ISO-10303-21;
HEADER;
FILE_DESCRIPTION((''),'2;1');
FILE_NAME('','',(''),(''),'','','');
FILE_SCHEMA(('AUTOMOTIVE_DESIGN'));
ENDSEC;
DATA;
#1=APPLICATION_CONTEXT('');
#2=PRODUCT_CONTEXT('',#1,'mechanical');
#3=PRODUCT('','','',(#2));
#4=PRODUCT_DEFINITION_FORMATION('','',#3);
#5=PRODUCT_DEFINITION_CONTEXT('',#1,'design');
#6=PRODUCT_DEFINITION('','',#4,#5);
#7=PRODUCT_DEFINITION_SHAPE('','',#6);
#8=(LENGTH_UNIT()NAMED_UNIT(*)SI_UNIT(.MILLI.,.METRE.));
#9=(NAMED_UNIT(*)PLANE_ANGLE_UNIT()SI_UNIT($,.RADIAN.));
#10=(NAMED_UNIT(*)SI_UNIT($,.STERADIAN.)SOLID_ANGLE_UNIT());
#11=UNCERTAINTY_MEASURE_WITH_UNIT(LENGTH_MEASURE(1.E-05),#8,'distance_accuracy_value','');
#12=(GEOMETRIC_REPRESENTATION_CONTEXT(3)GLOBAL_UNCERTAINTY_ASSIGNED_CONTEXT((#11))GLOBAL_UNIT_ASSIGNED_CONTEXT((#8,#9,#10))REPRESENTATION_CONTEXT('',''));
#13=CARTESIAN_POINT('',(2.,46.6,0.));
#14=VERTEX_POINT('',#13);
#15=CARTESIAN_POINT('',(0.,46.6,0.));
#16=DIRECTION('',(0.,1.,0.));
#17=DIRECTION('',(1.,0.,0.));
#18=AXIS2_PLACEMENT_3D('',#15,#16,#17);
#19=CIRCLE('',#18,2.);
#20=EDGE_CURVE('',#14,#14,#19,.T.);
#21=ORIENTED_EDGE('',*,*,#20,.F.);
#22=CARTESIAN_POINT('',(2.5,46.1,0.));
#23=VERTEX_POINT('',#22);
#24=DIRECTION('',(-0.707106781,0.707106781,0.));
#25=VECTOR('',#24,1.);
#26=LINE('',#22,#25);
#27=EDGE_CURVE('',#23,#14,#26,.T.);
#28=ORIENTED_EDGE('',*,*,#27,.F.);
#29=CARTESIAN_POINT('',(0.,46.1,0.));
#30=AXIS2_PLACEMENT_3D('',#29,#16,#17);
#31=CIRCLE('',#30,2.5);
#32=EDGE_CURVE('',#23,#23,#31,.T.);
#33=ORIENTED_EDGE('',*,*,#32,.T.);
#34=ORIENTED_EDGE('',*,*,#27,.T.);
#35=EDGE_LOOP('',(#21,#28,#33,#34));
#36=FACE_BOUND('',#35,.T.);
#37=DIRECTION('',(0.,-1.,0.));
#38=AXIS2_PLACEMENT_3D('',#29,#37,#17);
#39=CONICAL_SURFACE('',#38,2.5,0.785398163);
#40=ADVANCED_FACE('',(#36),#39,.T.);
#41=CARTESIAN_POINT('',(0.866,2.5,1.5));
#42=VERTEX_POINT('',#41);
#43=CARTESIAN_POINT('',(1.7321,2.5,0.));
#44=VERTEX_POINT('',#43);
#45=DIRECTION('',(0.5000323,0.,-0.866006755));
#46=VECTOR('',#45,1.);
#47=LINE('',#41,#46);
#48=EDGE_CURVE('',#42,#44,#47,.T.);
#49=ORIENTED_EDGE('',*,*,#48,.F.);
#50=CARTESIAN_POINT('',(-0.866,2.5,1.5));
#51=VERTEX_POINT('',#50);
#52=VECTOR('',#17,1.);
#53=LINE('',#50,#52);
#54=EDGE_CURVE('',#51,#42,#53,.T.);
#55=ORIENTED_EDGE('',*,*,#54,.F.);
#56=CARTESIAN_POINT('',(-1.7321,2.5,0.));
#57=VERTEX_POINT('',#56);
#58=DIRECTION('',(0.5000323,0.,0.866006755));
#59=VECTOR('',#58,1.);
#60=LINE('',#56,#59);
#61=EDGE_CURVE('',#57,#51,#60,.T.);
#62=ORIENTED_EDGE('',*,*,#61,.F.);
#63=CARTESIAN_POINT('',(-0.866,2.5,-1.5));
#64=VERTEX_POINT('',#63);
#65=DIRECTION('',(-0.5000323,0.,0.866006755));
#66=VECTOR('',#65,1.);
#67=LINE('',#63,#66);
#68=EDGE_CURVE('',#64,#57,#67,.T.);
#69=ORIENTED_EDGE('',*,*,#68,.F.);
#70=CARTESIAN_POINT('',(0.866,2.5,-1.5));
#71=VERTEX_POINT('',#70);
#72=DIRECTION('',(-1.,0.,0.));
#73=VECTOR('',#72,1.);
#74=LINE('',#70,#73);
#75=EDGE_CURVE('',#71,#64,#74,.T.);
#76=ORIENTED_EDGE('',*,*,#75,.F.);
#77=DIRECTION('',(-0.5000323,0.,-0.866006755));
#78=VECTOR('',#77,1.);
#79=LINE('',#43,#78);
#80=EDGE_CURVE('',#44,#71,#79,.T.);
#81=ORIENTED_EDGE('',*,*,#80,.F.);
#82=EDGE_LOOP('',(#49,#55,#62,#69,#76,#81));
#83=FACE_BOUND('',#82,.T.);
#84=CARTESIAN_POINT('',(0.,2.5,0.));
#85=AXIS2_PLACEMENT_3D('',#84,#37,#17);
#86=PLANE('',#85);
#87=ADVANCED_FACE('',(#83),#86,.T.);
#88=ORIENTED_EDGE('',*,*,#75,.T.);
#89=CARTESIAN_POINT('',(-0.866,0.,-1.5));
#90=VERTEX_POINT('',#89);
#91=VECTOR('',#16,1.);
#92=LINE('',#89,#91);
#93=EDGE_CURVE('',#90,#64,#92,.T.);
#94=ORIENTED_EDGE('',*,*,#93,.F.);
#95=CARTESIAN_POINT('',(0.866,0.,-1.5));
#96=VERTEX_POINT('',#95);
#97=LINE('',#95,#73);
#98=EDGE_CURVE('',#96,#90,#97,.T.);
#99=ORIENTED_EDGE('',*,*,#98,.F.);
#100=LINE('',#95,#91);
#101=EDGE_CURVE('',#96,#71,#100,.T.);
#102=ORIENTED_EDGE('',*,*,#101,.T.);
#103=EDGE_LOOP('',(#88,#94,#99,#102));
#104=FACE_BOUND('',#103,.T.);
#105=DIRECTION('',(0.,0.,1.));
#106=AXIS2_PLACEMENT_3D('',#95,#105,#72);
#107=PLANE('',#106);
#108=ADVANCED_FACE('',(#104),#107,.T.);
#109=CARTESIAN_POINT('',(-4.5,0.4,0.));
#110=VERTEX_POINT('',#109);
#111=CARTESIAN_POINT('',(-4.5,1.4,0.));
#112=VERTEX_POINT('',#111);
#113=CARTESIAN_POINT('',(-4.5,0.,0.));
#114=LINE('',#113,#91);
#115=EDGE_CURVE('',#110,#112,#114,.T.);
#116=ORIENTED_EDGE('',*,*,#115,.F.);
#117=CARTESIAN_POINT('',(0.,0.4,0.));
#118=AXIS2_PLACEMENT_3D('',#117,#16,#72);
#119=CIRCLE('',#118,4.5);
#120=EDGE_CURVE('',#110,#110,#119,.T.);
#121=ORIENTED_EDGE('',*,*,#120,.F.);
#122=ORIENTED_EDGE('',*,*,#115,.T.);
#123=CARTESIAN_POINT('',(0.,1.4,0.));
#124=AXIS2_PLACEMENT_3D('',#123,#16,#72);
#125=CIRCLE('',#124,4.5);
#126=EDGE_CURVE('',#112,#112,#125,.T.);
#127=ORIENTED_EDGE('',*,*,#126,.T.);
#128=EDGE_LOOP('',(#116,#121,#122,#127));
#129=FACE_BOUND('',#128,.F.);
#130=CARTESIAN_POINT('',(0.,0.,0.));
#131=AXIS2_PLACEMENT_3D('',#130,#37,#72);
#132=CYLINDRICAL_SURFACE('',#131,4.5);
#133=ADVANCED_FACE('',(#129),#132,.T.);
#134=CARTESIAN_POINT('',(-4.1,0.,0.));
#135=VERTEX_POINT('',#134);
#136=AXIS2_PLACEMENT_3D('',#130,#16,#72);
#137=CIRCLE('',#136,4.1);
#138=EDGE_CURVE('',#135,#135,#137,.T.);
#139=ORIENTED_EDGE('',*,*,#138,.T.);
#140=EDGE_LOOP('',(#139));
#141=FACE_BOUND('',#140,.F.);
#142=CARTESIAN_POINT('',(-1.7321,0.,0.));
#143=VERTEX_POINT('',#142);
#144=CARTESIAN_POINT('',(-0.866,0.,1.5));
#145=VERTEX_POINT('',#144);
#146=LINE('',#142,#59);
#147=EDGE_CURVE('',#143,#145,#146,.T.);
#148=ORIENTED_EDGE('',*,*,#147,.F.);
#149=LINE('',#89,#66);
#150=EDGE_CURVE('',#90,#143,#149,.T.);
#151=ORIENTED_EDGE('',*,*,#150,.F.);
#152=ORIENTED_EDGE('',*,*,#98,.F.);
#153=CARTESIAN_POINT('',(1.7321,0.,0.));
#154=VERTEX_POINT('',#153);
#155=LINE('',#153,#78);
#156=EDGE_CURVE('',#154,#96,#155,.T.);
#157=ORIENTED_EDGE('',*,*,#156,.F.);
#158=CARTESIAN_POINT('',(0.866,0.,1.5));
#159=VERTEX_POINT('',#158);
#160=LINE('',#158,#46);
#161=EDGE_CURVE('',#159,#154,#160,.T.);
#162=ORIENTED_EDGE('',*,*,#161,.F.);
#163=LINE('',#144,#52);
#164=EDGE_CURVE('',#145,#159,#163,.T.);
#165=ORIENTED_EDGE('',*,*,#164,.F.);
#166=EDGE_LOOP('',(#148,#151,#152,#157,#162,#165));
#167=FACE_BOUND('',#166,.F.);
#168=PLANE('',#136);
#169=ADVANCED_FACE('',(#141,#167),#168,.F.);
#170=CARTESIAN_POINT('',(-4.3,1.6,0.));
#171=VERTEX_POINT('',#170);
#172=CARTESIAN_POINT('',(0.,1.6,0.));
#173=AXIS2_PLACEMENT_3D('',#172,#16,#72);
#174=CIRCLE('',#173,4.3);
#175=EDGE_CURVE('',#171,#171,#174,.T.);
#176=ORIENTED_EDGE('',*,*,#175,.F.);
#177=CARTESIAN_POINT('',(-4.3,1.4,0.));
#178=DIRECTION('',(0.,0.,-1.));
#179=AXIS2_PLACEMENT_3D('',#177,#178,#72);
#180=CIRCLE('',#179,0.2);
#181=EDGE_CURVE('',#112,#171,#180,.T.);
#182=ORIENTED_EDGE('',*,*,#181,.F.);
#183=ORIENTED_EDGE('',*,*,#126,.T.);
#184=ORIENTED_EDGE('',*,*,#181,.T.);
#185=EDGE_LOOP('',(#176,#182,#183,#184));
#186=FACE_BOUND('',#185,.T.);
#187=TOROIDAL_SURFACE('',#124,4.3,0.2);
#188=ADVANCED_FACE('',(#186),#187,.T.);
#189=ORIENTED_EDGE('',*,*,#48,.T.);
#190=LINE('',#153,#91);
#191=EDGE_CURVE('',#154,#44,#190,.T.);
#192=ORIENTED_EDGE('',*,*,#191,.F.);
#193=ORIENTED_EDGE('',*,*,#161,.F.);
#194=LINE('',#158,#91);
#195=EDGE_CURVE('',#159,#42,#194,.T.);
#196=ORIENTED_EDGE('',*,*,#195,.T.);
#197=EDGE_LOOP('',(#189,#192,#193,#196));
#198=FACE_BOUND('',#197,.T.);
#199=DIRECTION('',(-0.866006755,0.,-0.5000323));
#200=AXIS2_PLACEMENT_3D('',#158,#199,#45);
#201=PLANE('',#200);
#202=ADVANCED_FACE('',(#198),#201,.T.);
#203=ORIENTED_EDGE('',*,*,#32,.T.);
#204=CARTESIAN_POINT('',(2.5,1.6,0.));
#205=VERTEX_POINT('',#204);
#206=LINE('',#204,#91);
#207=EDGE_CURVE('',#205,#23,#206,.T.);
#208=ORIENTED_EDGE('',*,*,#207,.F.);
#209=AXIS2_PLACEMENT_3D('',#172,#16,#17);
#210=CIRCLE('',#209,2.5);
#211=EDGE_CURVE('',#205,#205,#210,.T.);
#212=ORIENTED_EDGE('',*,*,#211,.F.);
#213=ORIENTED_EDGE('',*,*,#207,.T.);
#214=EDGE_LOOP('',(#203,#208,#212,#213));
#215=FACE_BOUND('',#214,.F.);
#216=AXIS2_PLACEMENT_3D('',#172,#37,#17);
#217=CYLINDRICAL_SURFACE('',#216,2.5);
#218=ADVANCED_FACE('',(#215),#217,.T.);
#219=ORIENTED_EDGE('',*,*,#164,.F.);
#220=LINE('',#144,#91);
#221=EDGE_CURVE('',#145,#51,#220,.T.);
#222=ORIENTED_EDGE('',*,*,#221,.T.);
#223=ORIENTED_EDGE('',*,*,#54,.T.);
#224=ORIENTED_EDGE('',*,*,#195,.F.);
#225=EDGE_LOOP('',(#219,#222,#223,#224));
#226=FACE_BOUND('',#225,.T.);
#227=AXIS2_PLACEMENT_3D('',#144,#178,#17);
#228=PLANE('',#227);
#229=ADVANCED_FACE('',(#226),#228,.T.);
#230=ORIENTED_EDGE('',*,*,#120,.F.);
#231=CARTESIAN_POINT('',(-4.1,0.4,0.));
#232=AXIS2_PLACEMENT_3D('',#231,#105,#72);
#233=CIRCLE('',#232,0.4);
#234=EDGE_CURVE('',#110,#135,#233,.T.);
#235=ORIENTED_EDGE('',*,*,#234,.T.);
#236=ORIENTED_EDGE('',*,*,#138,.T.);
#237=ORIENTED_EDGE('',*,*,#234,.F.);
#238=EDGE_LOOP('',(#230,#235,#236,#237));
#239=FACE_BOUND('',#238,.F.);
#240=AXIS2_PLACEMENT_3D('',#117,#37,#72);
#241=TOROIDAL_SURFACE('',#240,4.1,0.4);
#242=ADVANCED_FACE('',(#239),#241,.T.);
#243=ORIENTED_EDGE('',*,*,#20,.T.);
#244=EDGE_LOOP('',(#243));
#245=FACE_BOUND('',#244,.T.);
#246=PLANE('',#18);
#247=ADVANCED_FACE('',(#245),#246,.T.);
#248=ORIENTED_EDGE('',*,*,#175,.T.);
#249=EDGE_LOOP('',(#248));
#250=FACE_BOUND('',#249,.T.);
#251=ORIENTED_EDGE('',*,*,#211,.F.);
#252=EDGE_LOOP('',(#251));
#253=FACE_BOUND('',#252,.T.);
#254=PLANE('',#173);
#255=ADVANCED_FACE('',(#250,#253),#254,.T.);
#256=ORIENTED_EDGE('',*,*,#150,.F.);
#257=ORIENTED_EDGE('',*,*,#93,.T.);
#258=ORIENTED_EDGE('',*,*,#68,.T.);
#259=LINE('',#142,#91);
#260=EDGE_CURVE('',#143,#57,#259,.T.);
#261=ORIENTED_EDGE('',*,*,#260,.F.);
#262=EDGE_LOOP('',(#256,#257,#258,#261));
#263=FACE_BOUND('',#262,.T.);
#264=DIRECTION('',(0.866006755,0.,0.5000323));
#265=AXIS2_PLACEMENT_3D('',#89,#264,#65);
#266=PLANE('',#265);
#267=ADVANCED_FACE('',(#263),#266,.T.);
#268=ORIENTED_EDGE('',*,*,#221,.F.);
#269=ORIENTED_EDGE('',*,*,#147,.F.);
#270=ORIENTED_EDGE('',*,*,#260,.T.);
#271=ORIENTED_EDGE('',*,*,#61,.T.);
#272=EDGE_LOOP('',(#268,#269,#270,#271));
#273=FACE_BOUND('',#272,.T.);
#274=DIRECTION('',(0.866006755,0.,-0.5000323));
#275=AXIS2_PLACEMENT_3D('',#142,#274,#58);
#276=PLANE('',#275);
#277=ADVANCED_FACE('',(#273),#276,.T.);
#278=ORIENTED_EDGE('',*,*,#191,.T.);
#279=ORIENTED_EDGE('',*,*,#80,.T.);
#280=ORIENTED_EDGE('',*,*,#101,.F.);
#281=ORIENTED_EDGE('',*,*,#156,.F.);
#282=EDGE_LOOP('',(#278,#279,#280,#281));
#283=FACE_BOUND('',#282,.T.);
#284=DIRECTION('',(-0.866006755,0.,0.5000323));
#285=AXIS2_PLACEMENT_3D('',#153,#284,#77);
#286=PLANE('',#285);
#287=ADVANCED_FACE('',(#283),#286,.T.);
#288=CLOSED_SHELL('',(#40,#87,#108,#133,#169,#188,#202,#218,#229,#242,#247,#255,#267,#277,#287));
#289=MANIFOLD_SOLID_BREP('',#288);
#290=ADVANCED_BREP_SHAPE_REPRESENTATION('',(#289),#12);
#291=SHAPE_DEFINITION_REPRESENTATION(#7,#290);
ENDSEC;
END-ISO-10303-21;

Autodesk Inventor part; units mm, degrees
ref_plane "YZ Plane" through (0, 0, 0) normal (1, 0, 0) x (0, 1, 0)
ref_plane "XZ Plane" through (0, 0, 0) normal (0, 1, 0) x (-1, 0, 0)
ref_plane "XY Plane" through (0, 0, 0) normal (0, 0, 1) x (1, 0, 0)
sketch "Boceto1" plane through (0, 0, 0) normal (0, 1, 0) x (-1, 0, 0)
  circle A0 centre (0, 0) radius 4.5
  dimension "d0" = 9
extrude "Extrusión1" add sketch "Boceto1" along normal blind 1.6
sketch "Boceto2" plane through (0, 1.6, 0) normal (0, 1, 0) x (1, 0, 0)
  circle A0 centre (0, 0) radius 2.5
  dimension "d3" = 5
extrude "Extrusión2" add sketch "Boceto2" along normal blind 45
fillet "Empalme1" radius 0.4 1 edges at (4.5, 0, 0)
fillet "Empalme2" radius 0.2 1 edges at (4.5, 1.6, 0)
sketch "Boceto3" plane through (0, 0, 0) normal (0, -1, 0) x (1, 0, 0)
  line L0 (-1.7321, 0) -> (-0.866, 1.5)
  line L1 (-0.866, 1.5) -> (0.866, 1.5)
  line L2 (0.866, 1.5) -> (1.7321, 0)
  line L3 (1.7321, 0) -> (0.866, -1.5)
  line L4 (0.866, -1.5) -> (-0.866, -1.5)
  line L5 (-0.866, -1.5) -> (-1.7321, 0)
  point P0 (0, 0)
  point P1 (0, 0)
  dimension "d8" = 3
extrude "Extrusión3" cut sketch "Boceto3" against normal blind 2.5
chamfer "Chaflán1" distance 0.5 angle 45 1 edges at (-2.5, 46.6, 0)
thread "Rosca2" size "M5x0.8" class "6g" standard "ANSI Metric M Profile" length 20
properties part number "Perno M5x8 cabeza plana" material "Hierro, gris"
